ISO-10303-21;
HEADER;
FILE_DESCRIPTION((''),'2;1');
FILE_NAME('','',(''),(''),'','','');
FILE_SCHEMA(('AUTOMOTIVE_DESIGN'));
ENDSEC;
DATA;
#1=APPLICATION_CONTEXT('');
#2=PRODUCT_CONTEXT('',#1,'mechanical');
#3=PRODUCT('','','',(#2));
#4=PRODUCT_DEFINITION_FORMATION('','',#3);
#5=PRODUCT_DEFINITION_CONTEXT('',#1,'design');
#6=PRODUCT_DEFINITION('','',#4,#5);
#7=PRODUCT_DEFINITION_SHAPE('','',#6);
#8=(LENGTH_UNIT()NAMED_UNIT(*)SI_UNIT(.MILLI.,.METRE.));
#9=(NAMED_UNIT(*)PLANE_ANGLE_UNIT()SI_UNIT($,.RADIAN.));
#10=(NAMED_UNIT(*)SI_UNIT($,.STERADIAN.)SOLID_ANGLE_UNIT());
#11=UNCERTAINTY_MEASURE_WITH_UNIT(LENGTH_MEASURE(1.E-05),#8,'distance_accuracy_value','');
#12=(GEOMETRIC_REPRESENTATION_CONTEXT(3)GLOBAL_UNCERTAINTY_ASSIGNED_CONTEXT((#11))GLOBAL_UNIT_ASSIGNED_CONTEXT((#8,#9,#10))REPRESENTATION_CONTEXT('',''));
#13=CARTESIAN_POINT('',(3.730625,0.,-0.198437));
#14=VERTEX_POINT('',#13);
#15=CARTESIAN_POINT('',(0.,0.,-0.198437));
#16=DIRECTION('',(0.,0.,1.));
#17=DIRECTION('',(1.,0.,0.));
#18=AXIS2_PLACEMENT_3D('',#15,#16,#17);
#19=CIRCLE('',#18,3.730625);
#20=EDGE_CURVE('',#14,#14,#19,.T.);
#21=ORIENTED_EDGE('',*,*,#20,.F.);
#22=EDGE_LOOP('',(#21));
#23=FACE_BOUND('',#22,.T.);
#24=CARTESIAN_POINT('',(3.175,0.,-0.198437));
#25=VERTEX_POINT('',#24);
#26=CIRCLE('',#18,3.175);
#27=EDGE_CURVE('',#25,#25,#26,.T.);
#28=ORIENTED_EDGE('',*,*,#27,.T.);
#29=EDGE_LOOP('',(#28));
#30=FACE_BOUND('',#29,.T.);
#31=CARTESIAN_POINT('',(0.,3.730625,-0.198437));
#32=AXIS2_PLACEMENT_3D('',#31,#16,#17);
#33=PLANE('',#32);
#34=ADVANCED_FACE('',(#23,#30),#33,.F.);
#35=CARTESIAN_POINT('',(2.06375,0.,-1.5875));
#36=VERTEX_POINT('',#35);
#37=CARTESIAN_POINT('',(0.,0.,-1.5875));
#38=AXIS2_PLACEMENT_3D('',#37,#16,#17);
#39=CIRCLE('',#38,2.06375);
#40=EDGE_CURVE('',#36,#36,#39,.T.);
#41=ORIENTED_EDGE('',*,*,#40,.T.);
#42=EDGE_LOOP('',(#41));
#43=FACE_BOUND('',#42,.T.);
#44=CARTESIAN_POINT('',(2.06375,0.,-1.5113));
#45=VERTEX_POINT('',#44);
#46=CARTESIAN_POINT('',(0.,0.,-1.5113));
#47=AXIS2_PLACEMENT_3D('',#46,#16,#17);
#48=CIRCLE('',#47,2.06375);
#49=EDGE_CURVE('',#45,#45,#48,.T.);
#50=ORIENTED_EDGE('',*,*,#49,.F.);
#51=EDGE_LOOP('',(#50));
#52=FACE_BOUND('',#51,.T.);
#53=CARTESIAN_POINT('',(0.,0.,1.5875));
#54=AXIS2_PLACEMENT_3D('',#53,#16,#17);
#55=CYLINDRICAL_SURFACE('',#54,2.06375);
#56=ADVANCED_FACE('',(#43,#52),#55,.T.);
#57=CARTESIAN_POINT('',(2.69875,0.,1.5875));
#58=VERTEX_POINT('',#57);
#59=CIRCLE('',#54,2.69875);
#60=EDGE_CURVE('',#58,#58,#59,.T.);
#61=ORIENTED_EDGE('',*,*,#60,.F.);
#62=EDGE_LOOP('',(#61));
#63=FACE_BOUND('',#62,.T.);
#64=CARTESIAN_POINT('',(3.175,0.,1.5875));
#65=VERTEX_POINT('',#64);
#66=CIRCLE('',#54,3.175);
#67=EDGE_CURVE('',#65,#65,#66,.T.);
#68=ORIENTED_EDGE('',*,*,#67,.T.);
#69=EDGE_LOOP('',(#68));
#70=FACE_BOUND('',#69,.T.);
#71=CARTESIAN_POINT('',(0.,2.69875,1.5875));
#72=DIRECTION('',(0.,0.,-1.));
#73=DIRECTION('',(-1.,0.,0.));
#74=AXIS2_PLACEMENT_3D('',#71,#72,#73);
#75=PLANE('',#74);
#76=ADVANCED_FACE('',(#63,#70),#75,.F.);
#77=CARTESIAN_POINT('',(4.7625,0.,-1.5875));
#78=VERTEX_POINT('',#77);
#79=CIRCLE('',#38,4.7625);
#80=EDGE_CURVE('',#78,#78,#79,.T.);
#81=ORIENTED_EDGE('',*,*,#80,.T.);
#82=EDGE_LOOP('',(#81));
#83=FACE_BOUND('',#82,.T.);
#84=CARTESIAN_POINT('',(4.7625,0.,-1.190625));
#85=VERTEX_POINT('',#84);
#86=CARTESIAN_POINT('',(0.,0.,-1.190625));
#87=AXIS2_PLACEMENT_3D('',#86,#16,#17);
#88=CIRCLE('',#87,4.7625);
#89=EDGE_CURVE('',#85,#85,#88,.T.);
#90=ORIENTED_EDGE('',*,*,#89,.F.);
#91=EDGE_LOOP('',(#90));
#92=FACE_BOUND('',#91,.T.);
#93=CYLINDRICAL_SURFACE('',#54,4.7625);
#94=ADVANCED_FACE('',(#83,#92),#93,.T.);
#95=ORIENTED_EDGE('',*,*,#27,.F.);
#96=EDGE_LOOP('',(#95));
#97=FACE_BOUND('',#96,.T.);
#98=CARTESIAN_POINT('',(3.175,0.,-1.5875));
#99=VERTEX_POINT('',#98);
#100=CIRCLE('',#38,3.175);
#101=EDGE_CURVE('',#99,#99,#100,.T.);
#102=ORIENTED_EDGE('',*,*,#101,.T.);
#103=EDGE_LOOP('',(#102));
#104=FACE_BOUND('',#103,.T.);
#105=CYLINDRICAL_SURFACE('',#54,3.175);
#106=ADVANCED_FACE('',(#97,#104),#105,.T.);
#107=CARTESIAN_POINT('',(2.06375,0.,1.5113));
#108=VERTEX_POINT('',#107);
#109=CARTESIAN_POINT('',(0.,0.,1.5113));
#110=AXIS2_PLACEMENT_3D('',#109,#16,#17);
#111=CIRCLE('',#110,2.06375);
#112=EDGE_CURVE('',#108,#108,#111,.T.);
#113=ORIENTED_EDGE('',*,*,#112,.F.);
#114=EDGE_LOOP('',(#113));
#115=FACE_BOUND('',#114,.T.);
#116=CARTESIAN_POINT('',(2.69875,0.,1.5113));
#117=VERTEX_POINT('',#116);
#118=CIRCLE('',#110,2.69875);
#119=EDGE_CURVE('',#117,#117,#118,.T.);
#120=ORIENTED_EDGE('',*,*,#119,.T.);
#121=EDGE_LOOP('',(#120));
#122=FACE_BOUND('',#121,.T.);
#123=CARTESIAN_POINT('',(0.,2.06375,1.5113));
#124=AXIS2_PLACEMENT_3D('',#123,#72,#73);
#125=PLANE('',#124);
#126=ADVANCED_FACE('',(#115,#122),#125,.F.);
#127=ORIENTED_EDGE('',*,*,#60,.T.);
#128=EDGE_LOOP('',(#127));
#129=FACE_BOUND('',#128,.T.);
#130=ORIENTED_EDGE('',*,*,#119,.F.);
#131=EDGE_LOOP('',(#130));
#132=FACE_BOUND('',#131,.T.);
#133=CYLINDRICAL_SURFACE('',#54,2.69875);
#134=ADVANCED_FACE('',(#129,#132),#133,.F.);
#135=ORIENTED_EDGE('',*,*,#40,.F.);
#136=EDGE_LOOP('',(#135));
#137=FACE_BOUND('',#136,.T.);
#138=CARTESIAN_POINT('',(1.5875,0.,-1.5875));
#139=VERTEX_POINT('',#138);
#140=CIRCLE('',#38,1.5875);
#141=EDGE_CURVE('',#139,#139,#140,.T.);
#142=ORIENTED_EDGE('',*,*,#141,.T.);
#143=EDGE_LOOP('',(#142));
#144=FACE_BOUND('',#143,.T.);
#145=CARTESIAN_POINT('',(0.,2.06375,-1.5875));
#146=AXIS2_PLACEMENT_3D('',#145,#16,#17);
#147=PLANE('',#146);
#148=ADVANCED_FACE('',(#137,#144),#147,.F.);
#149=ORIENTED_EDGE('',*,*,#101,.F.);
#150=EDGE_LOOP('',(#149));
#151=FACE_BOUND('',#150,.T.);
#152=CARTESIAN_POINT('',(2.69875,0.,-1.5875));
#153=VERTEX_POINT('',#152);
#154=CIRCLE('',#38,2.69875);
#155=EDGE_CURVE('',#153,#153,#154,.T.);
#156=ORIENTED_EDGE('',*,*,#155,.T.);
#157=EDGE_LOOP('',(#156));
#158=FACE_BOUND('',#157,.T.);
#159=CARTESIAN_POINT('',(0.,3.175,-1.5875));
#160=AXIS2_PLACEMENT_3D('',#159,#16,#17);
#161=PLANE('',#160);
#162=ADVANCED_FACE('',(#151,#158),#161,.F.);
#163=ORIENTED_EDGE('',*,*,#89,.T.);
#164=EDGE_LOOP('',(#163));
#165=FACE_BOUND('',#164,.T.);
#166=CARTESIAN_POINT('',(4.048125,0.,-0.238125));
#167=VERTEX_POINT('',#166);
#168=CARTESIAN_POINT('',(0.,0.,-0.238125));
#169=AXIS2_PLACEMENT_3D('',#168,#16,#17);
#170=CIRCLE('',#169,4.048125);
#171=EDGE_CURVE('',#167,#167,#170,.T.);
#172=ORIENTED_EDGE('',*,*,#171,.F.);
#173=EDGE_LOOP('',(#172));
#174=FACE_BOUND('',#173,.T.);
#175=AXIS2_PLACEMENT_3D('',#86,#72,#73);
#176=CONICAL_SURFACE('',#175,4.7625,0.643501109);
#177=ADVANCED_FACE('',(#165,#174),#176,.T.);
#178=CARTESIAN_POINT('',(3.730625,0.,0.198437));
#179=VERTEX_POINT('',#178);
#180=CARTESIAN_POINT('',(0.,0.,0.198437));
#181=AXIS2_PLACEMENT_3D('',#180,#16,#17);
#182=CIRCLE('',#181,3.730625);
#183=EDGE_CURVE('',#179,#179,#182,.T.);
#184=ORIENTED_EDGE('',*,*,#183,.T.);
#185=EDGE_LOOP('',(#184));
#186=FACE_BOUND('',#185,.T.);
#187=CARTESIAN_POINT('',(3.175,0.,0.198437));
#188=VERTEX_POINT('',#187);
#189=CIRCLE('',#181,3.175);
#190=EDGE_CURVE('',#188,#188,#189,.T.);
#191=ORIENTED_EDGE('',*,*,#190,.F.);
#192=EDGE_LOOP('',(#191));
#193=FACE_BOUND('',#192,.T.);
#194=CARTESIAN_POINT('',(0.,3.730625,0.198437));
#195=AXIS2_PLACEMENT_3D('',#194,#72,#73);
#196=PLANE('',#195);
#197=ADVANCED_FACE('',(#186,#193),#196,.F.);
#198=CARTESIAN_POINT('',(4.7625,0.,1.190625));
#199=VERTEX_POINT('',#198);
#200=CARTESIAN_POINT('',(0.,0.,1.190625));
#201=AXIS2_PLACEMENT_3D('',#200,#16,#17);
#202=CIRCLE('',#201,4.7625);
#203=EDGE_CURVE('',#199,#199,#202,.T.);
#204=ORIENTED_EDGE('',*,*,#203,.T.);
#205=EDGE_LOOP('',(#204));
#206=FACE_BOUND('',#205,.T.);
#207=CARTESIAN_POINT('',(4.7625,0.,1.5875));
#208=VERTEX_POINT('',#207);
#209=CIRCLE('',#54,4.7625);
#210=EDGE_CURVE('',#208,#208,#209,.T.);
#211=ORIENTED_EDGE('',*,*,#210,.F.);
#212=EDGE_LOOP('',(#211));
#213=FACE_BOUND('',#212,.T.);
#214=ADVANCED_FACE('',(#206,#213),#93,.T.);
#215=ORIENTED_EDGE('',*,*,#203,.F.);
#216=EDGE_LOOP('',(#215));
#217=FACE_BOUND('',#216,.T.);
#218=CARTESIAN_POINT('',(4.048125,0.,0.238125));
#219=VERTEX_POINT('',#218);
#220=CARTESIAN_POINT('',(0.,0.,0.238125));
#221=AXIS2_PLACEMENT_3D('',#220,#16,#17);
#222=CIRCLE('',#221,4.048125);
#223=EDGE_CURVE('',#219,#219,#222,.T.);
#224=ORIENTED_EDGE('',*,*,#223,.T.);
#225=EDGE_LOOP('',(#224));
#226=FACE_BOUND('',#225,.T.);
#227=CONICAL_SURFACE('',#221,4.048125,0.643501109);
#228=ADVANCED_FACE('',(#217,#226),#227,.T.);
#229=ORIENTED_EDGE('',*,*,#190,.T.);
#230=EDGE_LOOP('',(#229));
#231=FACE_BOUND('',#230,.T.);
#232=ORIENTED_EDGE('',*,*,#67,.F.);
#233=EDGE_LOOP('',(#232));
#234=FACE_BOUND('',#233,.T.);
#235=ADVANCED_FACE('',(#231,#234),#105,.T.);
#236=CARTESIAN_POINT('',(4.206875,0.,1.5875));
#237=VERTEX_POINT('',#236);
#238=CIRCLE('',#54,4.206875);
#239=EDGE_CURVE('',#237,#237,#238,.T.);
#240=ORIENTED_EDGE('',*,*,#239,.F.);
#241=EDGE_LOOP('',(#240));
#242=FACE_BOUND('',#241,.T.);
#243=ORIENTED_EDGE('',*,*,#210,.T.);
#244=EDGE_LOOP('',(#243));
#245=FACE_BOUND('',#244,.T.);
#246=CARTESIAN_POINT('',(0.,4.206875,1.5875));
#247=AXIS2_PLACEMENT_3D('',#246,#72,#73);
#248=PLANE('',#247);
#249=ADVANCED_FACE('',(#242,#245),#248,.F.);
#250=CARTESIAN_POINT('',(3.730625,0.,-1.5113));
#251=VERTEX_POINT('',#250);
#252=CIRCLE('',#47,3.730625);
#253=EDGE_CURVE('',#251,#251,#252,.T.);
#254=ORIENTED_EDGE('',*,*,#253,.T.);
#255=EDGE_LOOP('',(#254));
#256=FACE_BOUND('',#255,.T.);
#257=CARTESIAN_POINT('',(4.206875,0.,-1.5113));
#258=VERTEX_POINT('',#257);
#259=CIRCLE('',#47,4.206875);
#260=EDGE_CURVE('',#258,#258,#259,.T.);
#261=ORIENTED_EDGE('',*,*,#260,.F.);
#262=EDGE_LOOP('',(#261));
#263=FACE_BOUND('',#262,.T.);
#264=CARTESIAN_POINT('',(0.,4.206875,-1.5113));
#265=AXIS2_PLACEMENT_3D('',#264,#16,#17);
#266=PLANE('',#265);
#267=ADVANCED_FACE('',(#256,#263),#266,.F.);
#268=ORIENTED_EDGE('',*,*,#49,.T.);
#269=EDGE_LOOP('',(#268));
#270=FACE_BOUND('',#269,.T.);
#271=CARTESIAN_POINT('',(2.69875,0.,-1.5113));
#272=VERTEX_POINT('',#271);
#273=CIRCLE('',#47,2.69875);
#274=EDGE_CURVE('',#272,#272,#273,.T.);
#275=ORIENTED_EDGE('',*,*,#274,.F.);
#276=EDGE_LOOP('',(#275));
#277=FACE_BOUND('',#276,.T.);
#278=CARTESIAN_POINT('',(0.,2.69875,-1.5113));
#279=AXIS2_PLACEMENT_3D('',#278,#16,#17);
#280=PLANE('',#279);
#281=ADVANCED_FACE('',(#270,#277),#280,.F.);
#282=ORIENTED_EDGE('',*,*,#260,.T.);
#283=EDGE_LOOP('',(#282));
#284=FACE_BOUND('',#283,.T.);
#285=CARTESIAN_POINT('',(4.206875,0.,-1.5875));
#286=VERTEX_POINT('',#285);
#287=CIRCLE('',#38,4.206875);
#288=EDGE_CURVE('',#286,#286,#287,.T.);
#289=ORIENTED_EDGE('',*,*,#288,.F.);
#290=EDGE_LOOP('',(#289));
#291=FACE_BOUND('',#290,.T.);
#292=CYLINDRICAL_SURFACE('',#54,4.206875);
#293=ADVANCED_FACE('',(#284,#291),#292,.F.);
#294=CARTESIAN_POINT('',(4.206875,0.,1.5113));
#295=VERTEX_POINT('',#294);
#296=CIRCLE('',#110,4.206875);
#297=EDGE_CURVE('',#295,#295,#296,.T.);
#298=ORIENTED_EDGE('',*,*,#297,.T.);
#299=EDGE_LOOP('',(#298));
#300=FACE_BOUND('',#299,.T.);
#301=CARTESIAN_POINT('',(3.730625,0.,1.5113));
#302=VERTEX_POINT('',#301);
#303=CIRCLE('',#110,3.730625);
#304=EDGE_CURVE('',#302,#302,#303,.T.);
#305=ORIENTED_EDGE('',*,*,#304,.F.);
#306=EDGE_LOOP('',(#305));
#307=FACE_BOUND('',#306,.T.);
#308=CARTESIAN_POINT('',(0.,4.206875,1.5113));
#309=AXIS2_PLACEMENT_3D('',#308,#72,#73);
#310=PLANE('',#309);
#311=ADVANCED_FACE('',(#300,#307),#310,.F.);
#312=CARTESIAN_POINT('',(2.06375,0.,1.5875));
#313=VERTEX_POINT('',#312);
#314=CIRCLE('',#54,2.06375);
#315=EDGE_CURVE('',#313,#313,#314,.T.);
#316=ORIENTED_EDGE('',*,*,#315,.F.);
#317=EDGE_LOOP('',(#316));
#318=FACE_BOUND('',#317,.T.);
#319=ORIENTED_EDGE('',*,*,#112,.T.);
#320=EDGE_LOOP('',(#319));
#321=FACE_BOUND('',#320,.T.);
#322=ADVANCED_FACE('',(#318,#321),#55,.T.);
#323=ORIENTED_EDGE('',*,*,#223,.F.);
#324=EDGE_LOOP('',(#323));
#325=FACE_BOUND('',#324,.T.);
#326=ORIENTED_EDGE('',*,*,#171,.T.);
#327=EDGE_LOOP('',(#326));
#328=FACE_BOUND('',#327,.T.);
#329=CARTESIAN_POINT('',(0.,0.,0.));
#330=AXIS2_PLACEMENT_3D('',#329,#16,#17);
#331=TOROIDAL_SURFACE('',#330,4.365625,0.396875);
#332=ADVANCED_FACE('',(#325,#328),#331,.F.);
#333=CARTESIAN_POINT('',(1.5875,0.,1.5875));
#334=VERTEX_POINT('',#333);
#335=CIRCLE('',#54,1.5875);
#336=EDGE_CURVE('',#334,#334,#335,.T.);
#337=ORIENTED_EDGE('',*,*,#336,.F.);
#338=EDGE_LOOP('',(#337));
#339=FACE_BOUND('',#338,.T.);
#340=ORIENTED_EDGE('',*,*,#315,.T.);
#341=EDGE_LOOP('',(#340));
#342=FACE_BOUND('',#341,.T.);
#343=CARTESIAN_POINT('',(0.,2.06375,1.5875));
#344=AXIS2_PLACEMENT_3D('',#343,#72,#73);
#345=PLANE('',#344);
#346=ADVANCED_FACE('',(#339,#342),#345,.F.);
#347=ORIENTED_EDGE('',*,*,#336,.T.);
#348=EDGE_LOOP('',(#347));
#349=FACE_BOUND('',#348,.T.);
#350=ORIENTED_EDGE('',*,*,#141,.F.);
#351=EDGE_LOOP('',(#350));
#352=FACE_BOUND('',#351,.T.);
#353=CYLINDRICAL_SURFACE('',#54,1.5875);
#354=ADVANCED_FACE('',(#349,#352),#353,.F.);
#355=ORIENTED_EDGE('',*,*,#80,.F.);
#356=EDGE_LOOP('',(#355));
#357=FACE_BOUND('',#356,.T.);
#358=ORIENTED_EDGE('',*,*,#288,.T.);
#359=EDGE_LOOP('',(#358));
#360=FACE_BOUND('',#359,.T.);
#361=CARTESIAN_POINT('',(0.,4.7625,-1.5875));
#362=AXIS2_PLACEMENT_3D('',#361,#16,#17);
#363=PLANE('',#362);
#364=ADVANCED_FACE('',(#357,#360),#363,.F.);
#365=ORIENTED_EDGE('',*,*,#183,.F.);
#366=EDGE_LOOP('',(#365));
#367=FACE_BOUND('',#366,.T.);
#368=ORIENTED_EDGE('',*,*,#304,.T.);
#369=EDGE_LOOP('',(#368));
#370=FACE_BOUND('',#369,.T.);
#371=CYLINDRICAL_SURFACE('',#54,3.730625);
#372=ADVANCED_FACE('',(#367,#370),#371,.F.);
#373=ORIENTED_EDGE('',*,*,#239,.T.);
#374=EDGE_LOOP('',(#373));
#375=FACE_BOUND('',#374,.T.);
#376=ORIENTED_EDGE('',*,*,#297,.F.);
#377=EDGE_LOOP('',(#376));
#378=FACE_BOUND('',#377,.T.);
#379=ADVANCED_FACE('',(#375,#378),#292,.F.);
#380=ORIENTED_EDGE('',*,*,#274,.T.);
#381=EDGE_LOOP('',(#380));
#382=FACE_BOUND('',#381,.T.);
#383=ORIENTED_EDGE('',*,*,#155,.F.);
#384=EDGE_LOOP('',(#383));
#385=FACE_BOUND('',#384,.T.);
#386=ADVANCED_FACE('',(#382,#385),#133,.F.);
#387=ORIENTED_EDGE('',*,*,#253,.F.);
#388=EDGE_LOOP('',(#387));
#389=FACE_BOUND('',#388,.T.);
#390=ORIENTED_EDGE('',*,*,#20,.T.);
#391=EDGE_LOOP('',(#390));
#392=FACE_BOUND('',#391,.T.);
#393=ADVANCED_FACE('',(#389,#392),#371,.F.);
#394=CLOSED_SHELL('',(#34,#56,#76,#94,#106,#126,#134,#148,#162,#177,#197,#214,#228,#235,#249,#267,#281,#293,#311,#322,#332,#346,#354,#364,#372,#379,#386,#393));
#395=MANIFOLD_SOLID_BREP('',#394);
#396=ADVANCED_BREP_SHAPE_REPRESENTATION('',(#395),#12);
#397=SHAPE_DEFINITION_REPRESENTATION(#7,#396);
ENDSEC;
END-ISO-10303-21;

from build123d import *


with BuildPart() as part:
    # Sketch1 → Revolve1 (revolve)
    with BuildSketch(Plane(origin=(0, 0, 0), x_dir=(0, 0, -1), z_dir=(1, 0, 0))):
        with BuildLine():
            Line((1.190625, 4.7625), (1.5875, 4.7625))
            Line((1.5875, 4.7625), (1.5875, 4.206875))
            Line((1.5875, 4.206875), (1.5113, 4.206875))
            Line((1.5113, 4.206875), (1.5113, 3.730625))
            Line((1.5113, 3.730625), (0.1984375, 3.730625))
            Line((0.1984375, 3.730625), (0.1984375, 3.175))
            Line((0.1984375, 3.175), (1.5875, 3.175))
            Line((1.5875, 3.175), (1.5875, 2.69875))
            Line((1.5875, 2.69875), (1.5113, 2.69875))
            Line((1.5113, 2.69875), (1.5113, 2.06375))
            Line((1.5113, 2.06375), (1.5875, 2.06375))
            Line((1.5875, 2.06375), (1.5875, 1.5875))
            Line((1.5875, 1.5875), (-1.5875, 1.5875))
            Line((-1.5875, 1.5875), (-1.5875, 2.06375))
            Line((-1.5875, 2.06375), (-1.5113, 2.06375))
            Line((-1.5113, 2.06375), (-1.5113, 2.69875))
            Line((-1.5113, 2.69875), (-1.5875, 2.69875))
            Line((-1.5875, 2.69875), (-1.5875, 3.175))
            Line((-1.5875, 3.175), (-0.1984375, 3.175))
            Line((-0.1984375, 3.175), (-0.1984375, 3.730625))
            Line((-0.1984375, 3.730625), (-1.5113, 3.730625))
            Line((-1.5113, 3.730625), (-1.5113, 4.206875))
            Line((-1.5113, 4.206875), (-1.5875, 4.206875))
            Line((-1.5875, 4.206875), (-1.5875, 4.7625))
            Line((-1.5875, 4.7625), (-1.190625, 4.7625))
            Line((-1.190625, 4.7625), (-0.238125, 4.048125))
            ThreePointArc((-0.238125, 4.048125), (0, 3.96875), (0.238125, 4.048125))
            Line((0.238125, 4.048125), (1.190625, 4.7625))
        make_face()
    revolve(axis=Axis((0, 0, 1.5875), (0, 0, -1)))


solid = part.part
